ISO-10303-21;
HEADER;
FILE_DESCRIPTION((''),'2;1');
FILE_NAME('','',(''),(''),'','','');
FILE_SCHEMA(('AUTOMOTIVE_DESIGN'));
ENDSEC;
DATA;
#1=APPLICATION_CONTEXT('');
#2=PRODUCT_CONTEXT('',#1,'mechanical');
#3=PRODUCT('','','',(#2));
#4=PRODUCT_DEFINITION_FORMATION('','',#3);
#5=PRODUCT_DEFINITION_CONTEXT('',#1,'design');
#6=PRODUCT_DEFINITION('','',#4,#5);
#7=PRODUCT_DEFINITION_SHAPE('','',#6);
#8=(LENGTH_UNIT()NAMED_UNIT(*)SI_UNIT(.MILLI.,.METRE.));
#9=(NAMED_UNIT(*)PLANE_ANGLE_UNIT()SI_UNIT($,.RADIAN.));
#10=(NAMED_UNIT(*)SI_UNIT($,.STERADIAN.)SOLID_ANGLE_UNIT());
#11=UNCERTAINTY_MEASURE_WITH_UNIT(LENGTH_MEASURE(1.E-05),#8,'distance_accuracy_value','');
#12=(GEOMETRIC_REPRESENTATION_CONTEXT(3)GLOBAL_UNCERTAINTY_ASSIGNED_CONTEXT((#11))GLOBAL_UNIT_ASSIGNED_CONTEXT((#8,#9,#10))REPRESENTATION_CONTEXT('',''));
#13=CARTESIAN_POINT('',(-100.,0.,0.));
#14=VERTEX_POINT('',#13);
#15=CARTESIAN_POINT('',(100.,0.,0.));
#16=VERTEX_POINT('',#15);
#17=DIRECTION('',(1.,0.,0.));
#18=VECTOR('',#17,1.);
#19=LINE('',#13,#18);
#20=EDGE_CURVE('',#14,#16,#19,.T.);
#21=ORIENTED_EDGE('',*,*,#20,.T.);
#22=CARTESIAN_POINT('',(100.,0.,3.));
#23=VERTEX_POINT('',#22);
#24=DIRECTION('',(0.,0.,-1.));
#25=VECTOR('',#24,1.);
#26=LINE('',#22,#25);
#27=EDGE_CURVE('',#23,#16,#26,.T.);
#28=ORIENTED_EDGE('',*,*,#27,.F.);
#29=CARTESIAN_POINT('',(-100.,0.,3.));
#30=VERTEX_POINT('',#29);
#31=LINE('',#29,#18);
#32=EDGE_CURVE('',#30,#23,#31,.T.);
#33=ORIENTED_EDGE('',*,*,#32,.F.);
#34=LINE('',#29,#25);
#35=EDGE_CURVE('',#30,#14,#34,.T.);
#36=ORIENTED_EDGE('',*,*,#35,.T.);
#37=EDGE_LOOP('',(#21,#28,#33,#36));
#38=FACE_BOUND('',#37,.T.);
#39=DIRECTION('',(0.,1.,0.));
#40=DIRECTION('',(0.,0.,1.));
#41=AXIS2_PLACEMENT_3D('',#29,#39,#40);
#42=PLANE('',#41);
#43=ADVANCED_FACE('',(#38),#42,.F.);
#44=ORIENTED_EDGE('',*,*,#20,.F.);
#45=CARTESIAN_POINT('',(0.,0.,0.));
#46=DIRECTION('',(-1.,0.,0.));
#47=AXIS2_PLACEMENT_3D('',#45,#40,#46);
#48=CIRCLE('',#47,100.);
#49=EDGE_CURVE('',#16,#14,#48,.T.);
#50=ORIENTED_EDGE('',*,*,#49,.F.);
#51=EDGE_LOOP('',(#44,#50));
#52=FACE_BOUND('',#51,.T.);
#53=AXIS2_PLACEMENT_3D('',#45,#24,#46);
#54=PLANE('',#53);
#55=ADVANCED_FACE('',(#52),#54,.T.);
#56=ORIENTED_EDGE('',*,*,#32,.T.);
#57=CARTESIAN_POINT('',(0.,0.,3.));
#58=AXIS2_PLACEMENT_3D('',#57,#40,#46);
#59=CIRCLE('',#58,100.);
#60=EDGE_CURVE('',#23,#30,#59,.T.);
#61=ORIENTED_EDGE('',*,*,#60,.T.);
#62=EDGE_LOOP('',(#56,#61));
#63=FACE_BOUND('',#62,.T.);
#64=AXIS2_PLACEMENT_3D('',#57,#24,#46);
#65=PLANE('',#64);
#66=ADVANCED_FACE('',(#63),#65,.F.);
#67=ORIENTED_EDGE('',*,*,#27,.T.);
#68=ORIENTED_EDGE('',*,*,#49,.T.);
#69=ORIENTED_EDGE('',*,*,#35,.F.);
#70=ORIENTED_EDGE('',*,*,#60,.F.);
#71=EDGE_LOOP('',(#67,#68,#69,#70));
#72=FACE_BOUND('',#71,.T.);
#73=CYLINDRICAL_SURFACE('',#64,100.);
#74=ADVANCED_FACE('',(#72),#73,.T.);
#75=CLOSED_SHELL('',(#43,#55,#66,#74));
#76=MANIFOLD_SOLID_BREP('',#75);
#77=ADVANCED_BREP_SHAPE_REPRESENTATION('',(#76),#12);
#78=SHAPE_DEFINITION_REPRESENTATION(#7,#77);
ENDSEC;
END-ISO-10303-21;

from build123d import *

# Parameters (mm, degrees)
BOSS_EXTRU_1_DEPTH = 3


with BuildPart() as part:
    # Esquisse1 → Boss.-Extru.1 (new body)
    with BuildSketch(Plane.XY):
        with BuildLine():
            Line((-100, 0), (100, 0))
            ThreePointArc((100, 0), (0, 100), (-100, 0))
        make_face()
    extrude(amount=BOSS_EXTRU_1_DEPTH)


solid = part.part
